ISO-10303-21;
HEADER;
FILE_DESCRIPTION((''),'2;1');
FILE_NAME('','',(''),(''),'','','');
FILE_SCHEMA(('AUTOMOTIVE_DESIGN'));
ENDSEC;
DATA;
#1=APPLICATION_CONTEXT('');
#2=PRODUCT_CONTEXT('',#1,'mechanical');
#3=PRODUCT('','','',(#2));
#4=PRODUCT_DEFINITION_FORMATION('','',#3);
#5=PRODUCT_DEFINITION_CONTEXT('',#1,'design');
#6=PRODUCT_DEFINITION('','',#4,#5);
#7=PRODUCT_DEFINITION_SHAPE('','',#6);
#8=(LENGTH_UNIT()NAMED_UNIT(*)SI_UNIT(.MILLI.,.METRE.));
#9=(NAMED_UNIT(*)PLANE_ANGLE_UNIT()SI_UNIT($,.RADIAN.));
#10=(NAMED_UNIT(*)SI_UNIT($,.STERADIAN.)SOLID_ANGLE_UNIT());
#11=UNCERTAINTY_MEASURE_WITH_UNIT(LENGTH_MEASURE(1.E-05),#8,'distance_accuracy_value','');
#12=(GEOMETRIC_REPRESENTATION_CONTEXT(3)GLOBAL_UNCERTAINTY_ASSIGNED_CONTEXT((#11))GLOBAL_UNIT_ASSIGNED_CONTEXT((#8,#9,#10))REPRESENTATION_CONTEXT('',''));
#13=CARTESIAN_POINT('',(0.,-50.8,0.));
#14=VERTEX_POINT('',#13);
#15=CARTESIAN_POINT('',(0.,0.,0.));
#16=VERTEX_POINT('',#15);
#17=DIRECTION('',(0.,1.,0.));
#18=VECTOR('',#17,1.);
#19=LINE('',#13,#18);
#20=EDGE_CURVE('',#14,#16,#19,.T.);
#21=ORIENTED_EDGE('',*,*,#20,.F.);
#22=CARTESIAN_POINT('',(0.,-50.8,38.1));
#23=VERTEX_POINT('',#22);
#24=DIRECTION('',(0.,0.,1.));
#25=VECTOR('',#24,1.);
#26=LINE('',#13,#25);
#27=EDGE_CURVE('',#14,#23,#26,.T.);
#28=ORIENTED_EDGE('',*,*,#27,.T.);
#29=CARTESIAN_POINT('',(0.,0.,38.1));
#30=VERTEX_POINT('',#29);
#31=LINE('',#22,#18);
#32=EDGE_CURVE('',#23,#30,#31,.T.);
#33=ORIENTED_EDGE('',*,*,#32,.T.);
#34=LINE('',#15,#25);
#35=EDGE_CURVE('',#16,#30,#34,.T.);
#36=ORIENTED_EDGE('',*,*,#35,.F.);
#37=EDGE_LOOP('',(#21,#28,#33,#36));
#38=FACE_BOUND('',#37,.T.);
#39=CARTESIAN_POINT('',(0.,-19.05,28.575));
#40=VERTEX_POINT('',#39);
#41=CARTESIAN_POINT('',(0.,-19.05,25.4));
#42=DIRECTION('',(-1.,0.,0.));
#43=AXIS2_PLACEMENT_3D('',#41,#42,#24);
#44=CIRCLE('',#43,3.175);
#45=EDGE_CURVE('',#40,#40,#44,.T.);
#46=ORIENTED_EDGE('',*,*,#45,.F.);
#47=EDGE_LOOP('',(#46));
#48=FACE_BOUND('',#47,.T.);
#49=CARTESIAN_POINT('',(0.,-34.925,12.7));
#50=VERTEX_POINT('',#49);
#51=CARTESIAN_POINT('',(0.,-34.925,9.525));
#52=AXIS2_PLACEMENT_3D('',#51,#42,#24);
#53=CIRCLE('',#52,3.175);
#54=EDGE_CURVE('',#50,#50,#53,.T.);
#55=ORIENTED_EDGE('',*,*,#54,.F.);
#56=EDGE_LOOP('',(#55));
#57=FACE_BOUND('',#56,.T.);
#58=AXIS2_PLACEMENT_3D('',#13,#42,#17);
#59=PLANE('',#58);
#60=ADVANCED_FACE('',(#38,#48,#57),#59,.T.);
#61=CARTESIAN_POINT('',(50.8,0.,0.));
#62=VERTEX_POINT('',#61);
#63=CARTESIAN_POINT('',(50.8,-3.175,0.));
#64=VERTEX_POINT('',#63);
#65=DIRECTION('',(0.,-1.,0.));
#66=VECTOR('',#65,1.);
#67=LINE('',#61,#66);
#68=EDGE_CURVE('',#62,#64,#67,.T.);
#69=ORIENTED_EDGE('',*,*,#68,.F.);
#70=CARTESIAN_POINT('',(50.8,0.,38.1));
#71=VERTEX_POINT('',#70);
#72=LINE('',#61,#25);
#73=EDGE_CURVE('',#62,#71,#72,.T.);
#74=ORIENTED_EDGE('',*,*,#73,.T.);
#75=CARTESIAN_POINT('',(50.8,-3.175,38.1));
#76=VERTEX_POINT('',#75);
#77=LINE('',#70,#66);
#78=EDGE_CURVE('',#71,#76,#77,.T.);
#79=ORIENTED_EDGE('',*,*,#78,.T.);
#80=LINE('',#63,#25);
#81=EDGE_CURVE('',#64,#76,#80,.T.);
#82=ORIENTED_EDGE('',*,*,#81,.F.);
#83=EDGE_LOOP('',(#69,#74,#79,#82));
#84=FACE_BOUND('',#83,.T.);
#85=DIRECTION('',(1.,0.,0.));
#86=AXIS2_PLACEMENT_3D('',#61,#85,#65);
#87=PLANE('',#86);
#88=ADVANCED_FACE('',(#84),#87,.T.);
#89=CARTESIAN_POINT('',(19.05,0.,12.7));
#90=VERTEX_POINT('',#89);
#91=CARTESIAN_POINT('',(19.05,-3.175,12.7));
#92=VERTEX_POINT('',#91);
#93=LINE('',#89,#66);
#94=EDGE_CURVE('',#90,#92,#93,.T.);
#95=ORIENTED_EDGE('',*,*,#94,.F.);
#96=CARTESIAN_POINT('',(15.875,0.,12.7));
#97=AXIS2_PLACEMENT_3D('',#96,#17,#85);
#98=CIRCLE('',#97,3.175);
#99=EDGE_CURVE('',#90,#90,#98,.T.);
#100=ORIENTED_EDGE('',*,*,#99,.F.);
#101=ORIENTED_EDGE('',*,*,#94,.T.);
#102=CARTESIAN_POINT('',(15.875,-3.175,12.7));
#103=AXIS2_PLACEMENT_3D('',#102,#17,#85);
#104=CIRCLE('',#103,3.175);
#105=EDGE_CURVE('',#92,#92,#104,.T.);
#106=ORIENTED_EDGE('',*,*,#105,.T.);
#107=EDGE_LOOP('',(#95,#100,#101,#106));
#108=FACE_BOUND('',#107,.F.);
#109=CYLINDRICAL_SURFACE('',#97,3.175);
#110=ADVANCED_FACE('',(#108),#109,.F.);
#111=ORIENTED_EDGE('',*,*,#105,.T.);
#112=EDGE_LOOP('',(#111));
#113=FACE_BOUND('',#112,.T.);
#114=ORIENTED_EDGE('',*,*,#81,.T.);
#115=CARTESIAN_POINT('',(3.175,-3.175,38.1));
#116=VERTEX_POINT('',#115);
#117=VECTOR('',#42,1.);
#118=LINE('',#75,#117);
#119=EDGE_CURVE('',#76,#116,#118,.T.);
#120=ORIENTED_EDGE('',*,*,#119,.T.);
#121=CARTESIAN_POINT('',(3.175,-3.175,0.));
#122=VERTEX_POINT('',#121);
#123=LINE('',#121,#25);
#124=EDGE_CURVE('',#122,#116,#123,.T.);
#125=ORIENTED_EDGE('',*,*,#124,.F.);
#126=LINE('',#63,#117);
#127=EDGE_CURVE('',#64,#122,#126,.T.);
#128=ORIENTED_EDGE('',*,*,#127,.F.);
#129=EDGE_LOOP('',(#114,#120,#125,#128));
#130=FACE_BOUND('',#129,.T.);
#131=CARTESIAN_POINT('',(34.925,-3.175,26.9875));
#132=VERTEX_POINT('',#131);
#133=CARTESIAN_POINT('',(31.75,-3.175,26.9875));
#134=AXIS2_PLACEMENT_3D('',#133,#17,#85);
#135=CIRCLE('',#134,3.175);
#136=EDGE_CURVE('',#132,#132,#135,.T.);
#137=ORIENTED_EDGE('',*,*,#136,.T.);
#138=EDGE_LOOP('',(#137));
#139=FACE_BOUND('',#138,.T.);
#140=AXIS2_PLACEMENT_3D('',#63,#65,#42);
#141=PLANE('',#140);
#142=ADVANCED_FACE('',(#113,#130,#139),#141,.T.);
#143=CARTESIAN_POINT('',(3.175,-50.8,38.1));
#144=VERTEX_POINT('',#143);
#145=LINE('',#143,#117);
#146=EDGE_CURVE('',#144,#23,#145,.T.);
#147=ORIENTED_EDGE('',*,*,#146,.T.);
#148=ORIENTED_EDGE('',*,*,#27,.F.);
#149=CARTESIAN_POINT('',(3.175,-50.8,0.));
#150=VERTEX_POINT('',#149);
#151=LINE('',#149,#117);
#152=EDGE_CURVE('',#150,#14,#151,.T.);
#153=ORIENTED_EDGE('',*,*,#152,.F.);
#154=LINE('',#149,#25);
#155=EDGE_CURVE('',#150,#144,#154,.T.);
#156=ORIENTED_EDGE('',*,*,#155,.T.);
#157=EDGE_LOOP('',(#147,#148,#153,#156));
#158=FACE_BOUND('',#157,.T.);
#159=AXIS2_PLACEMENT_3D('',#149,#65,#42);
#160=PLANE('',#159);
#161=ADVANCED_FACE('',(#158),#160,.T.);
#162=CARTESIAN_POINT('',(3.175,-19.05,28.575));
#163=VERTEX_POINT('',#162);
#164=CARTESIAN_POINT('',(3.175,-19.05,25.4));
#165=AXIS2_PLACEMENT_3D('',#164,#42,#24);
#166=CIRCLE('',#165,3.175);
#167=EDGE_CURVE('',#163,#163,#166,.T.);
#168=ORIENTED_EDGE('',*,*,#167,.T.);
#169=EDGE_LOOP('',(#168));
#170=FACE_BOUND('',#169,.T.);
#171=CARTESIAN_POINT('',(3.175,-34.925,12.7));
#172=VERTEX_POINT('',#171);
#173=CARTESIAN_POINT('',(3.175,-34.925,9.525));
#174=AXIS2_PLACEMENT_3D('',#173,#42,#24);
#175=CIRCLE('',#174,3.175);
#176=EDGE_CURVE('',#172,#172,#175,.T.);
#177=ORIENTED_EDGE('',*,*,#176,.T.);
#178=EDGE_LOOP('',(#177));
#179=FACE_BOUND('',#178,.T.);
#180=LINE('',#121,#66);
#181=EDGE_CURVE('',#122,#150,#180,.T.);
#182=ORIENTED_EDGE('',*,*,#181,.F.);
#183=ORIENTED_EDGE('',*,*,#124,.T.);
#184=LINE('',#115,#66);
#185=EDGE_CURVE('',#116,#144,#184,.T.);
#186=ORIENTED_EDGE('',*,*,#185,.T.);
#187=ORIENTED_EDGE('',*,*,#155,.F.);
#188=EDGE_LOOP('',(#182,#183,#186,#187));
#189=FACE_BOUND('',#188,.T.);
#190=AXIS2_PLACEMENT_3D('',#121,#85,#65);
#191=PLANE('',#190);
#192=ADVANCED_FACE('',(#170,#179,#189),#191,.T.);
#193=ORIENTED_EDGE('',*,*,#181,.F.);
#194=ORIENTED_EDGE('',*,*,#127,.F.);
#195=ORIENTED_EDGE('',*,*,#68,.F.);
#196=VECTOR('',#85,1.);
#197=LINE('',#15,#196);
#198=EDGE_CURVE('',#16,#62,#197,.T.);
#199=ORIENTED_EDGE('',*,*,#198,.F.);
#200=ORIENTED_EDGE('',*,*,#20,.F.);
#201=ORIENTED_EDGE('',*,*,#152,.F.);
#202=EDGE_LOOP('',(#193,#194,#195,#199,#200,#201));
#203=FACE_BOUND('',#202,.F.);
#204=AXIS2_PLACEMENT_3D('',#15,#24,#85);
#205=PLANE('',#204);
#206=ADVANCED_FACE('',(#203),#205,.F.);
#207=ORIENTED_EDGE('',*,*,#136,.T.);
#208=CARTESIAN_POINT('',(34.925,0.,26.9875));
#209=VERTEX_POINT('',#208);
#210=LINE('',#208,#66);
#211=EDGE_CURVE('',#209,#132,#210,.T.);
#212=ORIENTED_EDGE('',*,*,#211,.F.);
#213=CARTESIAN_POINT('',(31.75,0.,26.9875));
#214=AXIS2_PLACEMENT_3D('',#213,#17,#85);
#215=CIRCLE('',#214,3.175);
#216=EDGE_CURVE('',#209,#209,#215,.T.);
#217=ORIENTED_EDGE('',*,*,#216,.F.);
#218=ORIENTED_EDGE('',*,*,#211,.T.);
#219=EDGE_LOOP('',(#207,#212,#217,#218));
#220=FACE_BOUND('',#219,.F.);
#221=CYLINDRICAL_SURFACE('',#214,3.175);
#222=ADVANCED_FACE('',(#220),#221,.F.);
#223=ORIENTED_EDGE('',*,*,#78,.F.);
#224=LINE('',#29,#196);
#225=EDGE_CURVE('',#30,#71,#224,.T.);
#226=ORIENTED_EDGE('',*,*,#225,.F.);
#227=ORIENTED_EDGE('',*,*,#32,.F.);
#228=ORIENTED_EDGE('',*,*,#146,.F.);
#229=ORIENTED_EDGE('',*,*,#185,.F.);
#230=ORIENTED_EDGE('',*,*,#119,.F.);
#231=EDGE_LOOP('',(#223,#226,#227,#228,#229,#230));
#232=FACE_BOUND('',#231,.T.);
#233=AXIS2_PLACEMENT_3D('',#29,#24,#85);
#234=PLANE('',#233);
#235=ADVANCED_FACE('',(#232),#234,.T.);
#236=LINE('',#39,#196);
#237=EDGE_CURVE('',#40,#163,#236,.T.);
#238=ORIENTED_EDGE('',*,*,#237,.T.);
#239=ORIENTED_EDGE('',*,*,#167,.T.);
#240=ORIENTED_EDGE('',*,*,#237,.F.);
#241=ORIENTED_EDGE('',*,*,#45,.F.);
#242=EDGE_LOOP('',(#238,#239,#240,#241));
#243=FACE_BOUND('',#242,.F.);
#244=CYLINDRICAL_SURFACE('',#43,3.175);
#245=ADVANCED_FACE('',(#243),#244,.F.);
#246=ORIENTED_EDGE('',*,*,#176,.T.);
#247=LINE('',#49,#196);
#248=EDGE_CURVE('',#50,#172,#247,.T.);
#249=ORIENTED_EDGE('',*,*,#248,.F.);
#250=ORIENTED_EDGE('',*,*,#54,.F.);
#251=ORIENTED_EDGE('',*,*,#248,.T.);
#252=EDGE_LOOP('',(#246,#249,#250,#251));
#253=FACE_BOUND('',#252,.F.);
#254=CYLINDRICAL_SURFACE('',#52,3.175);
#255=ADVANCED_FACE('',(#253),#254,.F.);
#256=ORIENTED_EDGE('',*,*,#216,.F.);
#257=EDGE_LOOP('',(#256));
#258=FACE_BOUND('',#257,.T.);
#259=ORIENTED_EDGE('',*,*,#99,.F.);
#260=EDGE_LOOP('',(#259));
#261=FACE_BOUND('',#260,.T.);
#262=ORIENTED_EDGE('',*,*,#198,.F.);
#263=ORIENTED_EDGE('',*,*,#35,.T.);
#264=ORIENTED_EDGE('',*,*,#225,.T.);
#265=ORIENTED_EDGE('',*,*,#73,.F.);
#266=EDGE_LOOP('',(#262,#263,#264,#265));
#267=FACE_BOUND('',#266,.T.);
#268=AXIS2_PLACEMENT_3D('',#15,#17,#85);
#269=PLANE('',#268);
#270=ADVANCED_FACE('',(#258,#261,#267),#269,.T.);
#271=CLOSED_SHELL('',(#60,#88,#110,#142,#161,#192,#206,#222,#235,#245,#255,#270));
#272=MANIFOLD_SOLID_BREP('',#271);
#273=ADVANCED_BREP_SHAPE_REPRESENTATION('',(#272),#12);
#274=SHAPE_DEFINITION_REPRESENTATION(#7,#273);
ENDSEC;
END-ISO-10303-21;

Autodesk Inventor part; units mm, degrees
ref_plane "YZ Plane" through (0, 0, 0) normal (1, 0, 0) x (0, 1, 0)
ref_plane "XZ Plane" through (0, 0, 0) normal (0, 1, 0) x (-1, 0, 0)
ref_plane "XY Plane" through (0, 0, 0) normal (0, 0, 1) x (1, 0, 0)
sketch "Sketch1" plane through (0, 0, 0) normal (0, 0, 1) x (1, 0, 0)
  line L0 (0, 0) -> (50.8, 0)
  line L1 (50.8, 0) -> (50.8, -3.175)
  line L2 (50.8, -3.175) -> (3.175, -3.175)
  line L3 (3.175, -3.175) -> (3.175, -50.8)
  line L4 (3.175, -50.8) -> (0, -50.8)
  line L5 (0, -50.8) -> (0, 0)
  dimension "d0" = 3.175
  dimension "d1" = 3.175
  dimension "d2" = 50.8
  dimension "d3" = 50.8
extrude "Extrusion1" add sketch "Sketch1" along normal blind 38.1
sketch "Sketch2" plane through (0, -50.8, 0) normal (-1, 0, 0) x (0, 0, 1)
  circle A0 centre (25.4, 31.75) radius 3.175
  circle A1 centre (9.525, 15.875) radius 3.175
  line L0 (0, 0) -> (0, 50.8) projected
  line L1 (0, 50.8) -> (38.1, 50.8) projected
  line L2 (0, 0) -> (38.1, 0) projected
  dimension "d6" = 6.35
  dimension "d7" = 6.35
  dimension "d8" = 9.525
  dimension "d9" = 25.4
  dimension "d12" = 19.05
  dimension "d13" = 15.875
extrude "Extrusion2" cut sketch "Sketch2" against normal blind 3.175
sketch "Sketch3" plane through (0, 0, 0) normal (0, 1, 0) x (1, 0, 0)
  circle A0 centre (15.875, -12.7) radius 3.175
  circle A1 centre (31.75, -26.9875) radius 3.175
  line L0 (0, 0) -> (50.8, 0) projected
  line L1 (50.8, -38.1) -> (0, -38.1) projected
  line L2 (50.8, 0) -> (50.8, -38.1) projected
  line L3 (0, 0) -> (0, -38.1) projected
  dimension "d14" = 6.35
  dimension "d15" = 6.35
  dimension "d16" = 12.7
  dimension "d17" = 11.1125
  dimension "d18" = 19.05
  dimension "d19" = 15.875
extrude "Extrusion3" cut sketch "Sketch3" against normal blind 3.175 contours A0 | A1
properties part number "15102898-16-P-0802" material "Aluminum 6061"
